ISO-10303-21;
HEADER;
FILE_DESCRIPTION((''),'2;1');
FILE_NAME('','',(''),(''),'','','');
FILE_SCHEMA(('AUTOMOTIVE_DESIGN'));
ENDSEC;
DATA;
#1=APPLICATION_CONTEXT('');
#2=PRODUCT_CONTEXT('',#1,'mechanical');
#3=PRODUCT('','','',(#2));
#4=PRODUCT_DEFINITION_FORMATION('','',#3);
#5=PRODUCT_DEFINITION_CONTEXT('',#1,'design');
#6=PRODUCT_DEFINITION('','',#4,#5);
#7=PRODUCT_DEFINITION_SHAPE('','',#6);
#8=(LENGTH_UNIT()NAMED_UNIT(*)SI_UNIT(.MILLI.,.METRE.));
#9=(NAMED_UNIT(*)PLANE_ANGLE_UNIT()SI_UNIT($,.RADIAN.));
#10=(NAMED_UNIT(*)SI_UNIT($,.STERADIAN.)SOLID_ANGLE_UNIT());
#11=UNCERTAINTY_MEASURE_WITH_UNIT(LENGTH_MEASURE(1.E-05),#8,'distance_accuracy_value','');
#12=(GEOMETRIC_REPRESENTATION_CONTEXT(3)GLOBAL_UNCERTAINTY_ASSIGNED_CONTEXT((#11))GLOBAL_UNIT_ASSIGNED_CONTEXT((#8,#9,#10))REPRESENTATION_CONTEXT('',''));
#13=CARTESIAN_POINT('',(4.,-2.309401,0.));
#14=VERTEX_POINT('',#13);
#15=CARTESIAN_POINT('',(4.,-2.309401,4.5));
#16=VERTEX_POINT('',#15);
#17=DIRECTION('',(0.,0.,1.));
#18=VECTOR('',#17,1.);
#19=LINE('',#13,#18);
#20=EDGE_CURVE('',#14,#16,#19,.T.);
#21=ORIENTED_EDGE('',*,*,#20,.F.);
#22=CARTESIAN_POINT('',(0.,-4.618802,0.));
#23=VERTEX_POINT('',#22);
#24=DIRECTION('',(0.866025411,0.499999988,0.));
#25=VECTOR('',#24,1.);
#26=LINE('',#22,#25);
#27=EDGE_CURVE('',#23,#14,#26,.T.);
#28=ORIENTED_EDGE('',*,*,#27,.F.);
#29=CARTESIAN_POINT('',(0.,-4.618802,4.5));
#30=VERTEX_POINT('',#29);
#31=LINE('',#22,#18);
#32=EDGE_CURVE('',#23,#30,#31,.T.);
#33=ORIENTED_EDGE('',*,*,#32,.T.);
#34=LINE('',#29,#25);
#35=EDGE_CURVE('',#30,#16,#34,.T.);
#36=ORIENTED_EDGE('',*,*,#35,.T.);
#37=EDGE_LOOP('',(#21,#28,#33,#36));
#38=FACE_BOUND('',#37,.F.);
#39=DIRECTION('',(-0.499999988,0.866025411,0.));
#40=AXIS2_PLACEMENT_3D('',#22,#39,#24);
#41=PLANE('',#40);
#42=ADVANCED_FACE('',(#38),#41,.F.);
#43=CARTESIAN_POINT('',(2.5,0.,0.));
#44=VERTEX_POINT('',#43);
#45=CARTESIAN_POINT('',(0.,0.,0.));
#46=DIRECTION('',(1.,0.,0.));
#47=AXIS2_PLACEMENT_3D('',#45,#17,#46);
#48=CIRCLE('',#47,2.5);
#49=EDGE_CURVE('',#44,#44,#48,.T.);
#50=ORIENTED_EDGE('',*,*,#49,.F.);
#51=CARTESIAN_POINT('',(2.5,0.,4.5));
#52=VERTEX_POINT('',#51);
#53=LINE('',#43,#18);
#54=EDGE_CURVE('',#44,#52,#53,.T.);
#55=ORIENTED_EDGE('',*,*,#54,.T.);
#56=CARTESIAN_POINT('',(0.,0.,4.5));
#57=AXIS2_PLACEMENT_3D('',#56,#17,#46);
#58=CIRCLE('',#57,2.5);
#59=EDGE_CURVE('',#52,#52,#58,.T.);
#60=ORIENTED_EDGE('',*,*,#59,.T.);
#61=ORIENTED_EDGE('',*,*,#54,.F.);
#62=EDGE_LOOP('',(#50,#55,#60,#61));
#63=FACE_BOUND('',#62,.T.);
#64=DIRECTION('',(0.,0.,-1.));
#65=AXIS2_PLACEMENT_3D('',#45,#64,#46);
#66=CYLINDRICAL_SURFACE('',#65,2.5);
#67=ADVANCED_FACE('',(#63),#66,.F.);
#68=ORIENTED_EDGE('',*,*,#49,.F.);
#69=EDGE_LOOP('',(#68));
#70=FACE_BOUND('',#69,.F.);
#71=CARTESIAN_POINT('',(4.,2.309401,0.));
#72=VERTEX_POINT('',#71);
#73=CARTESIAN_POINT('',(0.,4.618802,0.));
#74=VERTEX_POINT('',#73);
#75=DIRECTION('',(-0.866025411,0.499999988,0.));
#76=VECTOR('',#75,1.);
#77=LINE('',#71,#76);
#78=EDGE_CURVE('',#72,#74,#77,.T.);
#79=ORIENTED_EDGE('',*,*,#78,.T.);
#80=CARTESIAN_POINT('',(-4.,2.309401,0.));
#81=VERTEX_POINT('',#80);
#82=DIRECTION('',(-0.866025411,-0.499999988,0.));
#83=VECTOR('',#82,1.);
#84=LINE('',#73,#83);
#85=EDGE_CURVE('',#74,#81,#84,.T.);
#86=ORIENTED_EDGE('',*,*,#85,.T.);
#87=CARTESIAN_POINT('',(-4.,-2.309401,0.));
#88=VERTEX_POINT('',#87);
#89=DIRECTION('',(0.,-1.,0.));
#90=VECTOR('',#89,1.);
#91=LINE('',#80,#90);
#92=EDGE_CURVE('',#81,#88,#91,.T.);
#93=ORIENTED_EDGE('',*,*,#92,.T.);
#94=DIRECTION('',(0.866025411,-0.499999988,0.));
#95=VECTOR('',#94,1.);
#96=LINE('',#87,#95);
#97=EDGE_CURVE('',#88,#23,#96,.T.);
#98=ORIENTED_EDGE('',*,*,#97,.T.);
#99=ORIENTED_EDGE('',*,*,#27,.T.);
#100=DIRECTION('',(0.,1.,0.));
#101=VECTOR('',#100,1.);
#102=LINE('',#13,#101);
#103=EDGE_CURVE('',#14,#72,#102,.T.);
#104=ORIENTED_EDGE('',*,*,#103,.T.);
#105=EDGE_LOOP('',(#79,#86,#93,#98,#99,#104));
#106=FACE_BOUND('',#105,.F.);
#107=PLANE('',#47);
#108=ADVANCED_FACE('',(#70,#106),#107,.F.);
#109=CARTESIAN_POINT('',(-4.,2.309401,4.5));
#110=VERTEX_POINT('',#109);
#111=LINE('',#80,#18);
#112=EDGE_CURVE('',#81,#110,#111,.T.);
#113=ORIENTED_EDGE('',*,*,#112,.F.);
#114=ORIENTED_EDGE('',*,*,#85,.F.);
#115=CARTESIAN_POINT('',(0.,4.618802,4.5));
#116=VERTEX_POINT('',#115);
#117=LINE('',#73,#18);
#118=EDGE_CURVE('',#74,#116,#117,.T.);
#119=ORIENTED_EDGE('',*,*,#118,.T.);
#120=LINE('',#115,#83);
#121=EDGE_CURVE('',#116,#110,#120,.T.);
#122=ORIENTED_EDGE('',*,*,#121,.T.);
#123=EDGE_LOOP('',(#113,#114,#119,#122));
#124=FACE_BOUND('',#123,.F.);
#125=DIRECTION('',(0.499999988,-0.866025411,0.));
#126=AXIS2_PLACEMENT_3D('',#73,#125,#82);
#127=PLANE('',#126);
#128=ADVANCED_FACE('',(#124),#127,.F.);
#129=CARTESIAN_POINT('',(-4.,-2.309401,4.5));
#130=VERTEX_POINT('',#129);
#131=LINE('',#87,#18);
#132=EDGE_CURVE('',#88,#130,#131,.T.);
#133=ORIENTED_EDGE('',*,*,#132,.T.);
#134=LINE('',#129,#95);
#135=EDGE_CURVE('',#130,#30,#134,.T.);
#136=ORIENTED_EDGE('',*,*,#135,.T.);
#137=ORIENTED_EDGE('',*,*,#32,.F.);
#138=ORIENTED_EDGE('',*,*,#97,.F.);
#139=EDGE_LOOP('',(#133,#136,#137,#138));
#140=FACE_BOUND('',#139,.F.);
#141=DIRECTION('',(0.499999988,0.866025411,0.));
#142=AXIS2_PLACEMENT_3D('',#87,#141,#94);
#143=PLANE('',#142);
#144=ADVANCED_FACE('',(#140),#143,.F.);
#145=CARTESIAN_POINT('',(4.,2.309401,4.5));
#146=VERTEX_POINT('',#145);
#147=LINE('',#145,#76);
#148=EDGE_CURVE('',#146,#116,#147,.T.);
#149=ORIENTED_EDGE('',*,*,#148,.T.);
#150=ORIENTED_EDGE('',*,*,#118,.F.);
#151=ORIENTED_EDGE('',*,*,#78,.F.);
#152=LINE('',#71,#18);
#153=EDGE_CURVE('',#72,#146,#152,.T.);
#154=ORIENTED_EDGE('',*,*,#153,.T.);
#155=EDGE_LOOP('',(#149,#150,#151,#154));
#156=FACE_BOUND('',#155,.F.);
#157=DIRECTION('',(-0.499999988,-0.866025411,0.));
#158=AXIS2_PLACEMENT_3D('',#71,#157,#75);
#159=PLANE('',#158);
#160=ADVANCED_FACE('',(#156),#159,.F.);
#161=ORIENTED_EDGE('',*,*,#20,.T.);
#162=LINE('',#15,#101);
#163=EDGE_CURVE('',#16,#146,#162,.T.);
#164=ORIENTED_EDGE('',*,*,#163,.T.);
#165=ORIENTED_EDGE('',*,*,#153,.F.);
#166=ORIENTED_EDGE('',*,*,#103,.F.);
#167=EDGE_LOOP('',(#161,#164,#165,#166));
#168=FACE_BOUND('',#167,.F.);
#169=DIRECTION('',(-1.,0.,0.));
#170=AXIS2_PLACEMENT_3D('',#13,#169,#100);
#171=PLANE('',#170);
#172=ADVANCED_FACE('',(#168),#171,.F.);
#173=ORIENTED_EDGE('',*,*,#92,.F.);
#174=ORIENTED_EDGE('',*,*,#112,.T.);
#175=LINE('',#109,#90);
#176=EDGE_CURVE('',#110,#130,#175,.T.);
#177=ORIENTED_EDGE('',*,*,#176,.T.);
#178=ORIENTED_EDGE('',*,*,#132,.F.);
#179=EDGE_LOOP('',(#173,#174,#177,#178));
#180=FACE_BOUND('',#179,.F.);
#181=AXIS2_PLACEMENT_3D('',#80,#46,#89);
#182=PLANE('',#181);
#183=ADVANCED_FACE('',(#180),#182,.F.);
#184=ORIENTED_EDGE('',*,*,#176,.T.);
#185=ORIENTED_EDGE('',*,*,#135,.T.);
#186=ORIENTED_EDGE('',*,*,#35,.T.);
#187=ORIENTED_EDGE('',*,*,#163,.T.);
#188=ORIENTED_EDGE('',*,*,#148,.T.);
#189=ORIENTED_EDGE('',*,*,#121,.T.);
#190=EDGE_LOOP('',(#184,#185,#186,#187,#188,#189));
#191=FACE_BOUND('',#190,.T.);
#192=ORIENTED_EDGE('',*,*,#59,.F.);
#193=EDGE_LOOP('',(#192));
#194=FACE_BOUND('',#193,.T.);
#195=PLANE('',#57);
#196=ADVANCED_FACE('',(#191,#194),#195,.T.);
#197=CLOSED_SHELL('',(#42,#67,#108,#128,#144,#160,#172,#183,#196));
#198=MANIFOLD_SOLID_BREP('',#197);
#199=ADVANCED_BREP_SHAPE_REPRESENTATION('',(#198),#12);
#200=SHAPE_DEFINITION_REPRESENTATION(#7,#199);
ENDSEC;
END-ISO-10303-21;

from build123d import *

# Parameters (mm, degrees)
SKETCH_R  = 2.5
PAD_DEPTH = 4.5


with BuildPart() as part:
    # Sketch → Pad (new body)
    with BuildSketch(Plane.XY):
        Polygon((4, 2.309401), (0, 4.618802), (-4, 2.309401), (-4, -2.309401), (0, -4.618802), (4, -2.309401), align=None)
        Circle(SKETCH_R, mode=Mode.SUBTRACT)
    extrude(amount=PAD_DEPTH)


solid = part.part
